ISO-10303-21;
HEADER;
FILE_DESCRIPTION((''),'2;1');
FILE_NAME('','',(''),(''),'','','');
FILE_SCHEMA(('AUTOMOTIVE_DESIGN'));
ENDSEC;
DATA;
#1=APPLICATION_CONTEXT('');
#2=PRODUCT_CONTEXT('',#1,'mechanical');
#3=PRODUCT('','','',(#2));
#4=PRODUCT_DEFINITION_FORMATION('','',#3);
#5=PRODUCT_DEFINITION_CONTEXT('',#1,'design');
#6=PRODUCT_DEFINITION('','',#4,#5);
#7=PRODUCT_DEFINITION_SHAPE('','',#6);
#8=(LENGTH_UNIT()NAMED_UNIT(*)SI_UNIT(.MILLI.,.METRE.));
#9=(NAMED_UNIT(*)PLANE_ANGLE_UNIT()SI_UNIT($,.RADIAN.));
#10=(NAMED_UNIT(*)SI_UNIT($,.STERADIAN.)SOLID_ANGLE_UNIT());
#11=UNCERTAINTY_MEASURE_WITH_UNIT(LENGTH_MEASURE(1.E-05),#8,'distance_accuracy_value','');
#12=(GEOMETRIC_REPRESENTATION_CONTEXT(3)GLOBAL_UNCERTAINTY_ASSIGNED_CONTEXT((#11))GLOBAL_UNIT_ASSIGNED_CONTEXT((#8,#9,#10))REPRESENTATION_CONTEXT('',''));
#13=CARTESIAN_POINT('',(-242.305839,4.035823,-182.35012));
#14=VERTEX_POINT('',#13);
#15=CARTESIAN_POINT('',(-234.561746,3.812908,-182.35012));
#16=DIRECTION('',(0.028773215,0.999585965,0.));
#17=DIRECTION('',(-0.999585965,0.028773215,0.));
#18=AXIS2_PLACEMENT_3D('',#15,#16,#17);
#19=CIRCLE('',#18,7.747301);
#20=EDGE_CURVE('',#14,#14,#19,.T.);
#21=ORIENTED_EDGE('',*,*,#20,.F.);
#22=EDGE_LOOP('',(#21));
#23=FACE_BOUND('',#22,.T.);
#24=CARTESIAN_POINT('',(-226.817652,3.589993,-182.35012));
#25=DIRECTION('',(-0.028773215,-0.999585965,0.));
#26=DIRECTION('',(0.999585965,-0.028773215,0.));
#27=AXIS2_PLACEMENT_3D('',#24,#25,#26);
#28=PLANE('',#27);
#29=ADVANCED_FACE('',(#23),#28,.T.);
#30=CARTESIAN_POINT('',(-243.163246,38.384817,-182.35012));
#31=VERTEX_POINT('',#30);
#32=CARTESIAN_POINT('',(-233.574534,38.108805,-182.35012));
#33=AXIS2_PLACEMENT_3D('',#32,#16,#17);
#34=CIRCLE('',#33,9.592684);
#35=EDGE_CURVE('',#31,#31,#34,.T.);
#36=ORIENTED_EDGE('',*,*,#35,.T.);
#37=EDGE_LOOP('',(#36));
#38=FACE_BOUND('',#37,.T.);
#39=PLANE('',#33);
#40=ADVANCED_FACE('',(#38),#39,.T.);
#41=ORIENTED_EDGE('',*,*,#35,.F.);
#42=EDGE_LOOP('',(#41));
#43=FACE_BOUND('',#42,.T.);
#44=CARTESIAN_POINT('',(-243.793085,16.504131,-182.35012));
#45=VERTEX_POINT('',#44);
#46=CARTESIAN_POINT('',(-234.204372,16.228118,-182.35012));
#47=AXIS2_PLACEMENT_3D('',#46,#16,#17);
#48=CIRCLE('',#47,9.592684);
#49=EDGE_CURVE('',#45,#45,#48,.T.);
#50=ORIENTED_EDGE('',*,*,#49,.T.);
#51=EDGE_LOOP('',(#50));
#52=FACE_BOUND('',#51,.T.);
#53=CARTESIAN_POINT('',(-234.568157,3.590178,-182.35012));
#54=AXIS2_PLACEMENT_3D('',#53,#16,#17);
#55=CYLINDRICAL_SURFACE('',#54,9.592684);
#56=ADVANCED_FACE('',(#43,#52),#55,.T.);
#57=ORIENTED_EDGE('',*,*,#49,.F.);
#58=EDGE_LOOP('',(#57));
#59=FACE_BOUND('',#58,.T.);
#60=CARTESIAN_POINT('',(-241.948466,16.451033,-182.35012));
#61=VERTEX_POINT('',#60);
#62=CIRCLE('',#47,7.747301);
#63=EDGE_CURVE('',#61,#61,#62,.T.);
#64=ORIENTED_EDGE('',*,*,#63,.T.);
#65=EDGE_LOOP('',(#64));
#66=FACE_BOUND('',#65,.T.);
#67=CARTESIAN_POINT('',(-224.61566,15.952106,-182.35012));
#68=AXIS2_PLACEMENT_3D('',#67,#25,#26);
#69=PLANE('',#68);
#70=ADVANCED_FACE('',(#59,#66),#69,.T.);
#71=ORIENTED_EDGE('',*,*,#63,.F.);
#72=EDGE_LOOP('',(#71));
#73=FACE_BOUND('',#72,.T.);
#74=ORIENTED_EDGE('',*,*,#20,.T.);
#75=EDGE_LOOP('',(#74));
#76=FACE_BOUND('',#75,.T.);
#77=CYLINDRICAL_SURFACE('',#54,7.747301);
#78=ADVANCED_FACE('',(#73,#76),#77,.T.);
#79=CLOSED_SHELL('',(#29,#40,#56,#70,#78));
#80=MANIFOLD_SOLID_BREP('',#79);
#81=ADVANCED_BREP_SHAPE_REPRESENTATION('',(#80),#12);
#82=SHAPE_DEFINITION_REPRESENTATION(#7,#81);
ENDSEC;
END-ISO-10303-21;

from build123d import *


with BuildPart() as part:
    # Esquisse1 → Révolution1 (revolve)
    with BuildSketch(Plane(origin=(0, 0, -182.350120167), x_dir=(-1, 0, 0), z_dir=(0, 0, -1)), mode=Mode.PRIVATE) as r_volution1_sk:
        Polygon((226.817651845, 3.589993366), (234.561745648, 3.812908136), (233.574533706, 38.10880464), (223.985821161, 37.832792274), (224.615659632, 15.952105777), (226.460278374, 16.005203373), align=None)
    revolve(r_volution1_sk.sketch.rotate(Axis((-234.568156967, 3.590177917, -182.350120167), (0.02877321495810403, 0.9995859653381368, 0)), 180), axis=Axis((-234.568156967, 3.590177917, -182.350120167), (0.02877321495810403, 0.9995859653381368, 0)))


solid = part.part
